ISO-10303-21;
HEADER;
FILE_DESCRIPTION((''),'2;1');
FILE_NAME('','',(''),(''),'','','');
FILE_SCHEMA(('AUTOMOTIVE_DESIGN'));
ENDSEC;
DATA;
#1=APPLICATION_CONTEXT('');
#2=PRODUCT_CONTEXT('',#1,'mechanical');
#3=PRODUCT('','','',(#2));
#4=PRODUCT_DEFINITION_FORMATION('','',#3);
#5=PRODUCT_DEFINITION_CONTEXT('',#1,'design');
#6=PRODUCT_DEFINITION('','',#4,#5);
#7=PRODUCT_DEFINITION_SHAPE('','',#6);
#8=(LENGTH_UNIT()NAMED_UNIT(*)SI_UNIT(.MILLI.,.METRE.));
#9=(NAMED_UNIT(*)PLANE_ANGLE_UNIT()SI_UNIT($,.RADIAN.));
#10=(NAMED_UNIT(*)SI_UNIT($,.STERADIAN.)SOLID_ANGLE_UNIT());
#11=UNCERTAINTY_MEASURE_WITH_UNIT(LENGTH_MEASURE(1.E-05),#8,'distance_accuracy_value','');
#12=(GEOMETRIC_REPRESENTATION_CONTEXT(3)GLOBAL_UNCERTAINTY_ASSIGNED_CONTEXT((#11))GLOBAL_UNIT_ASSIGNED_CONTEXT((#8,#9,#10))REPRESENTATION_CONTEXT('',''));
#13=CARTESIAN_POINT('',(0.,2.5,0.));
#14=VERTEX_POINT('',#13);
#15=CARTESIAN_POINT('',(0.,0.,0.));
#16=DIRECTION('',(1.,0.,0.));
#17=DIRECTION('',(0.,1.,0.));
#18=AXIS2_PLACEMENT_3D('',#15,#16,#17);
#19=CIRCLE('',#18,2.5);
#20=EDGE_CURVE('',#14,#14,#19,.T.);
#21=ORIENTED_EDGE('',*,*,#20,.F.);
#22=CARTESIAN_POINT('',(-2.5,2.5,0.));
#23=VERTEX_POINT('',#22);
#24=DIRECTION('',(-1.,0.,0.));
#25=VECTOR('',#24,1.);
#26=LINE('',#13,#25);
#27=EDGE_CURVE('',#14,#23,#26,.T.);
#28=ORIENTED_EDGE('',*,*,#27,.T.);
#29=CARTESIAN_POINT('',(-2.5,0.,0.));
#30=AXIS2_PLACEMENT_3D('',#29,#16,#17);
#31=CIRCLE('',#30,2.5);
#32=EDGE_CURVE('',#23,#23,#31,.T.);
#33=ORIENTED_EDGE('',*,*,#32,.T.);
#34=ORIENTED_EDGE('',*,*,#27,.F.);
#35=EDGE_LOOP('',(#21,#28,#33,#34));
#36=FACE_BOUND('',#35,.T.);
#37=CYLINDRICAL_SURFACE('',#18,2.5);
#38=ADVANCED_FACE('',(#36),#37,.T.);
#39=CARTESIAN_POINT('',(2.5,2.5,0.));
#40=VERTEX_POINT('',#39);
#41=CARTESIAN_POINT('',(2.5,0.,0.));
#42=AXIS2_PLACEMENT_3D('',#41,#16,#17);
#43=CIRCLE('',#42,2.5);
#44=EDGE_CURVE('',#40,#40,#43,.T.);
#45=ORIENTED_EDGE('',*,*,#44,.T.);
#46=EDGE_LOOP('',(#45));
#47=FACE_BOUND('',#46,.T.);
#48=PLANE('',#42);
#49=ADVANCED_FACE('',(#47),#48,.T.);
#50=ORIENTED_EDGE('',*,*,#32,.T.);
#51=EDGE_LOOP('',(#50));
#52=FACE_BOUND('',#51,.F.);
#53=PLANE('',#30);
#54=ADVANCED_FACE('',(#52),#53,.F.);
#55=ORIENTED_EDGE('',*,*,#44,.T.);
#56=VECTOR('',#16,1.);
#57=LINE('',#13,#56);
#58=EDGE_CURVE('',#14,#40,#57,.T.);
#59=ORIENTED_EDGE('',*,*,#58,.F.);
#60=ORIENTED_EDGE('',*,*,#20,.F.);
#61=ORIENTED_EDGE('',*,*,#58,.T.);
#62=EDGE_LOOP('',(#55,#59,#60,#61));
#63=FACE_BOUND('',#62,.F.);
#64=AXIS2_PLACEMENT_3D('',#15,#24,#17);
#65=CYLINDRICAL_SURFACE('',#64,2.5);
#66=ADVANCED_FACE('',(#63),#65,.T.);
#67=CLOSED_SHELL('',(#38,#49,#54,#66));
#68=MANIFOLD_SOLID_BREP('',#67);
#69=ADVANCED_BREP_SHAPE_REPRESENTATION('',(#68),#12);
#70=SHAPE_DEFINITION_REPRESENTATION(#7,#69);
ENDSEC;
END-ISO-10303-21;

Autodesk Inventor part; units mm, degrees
sketch "Sketch1" plane through (0, 0, 0) normal (1, 0, 0) x (0, 1, 0)
  circle A0 centre (0, 0) radius 2.5
  dimension "d0" = 5
extrude "Extrusion1" add sketch "Sketch1" along normal mid plane 5
properties part number "peca_011_001"
